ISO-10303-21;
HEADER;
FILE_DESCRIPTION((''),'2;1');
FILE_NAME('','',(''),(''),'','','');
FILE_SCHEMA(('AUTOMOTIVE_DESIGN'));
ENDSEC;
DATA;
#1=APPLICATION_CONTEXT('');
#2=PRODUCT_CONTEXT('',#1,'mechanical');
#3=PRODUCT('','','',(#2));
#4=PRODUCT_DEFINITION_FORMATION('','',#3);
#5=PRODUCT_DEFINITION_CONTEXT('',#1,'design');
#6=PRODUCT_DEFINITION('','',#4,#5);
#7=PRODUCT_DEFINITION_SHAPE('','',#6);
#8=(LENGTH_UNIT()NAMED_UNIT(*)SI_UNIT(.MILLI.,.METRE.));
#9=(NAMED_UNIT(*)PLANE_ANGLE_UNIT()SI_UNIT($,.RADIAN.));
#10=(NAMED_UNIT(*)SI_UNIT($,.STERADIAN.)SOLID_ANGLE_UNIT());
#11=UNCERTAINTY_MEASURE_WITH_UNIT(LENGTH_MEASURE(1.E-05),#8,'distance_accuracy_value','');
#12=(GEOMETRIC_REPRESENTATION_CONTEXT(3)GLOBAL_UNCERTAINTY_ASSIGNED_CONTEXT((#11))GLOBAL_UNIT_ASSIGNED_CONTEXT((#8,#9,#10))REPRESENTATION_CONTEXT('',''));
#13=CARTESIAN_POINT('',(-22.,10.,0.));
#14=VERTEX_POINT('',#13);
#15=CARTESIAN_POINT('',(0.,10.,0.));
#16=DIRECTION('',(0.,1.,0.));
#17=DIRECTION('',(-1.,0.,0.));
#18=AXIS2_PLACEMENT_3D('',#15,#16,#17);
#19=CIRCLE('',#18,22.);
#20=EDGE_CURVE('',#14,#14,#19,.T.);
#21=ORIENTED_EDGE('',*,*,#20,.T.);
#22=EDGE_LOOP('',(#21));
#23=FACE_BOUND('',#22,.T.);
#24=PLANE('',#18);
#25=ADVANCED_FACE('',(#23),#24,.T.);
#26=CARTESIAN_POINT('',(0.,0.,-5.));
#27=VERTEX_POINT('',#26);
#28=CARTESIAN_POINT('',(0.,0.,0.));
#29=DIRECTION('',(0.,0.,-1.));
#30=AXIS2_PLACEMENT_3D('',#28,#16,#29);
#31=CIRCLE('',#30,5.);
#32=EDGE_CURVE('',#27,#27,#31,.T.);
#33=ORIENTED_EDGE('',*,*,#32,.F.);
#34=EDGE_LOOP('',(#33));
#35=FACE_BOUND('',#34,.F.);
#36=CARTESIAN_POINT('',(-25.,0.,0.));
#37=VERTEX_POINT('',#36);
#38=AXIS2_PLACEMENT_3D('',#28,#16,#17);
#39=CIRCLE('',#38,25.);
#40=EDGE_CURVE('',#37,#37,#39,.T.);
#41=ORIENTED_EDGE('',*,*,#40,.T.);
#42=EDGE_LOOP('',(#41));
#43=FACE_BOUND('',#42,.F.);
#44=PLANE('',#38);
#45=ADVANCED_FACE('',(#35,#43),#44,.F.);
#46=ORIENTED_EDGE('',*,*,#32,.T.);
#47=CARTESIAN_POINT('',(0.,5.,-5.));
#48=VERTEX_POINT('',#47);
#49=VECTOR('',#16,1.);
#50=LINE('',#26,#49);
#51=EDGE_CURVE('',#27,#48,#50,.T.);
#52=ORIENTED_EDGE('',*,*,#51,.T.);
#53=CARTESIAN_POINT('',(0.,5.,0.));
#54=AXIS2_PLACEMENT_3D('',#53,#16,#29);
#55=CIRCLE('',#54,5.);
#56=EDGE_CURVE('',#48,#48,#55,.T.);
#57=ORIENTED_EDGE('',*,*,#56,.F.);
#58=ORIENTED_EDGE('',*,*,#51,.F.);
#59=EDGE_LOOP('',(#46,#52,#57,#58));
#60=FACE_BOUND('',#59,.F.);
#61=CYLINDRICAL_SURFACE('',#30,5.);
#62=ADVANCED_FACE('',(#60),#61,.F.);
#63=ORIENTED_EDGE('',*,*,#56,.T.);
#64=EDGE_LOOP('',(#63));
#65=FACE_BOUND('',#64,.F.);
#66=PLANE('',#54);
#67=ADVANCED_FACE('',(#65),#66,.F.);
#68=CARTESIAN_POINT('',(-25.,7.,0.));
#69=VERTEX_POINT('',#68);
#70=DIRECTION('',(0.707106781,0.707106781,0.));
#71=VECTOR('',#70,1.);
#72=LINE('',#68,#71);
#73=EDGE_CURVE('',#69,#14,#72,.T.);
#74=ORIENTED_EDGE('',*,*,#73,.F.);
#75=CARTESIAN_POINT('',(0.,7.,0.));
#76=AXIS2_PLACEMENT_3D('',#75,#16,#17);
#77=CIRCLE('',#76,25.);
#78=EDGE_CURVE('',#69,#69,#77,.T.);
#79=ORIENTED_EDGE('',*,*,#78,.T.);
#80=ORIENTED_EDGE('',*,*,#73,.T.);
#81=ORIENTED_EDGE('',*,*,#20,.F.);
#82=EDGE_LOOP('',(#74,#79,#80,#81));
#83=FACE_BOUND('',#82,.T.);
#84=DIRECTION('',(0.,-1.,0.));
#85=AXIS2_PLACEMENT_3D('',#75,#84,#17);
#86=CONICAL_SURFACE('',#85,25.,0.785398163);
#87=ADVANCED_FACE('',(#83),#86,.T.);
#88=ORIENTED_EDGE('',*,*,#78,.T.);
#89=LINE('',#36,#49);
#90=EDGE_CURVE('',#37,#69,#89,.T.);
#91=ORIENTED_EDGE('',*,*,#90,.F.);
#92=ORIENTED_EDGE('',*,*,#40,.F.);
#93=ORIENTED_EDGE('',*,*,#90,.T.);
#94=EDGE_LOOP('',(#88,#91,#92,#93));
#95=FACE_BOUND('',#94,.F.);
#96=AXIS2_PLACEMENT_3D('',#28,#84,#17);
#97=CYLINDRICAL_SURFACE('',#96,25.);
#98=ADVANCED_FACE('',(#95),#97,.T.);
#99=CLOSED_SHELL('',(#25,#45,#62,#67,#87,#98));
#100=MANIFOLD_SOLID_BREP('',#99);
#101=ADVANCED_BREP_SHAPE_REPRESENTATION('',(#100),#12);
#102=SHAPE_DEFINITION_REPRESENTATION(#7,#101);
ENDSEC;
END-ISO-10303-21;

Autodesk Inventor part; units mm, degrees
ref_plane "YZ Plane" through (0, 0, 0) normal (1, 0, 0) x (0, 1, 0)
ref_plane "XZ Plane" through (0, 0, 0) normal (0, 1, 0) x (-1, 0, 0)
ref_plane "XY Plane" through (0, 0, 0) normal (0, 0, 1) x (1, 0, 0)
sketch "Sketch1" plane through (0, 0, 0) normal (0, 1, 0) x (-1, 0, 0)
  circle A0 centre (0, 0) radius 25
  dimension "d0" = 50
extrude "Extrusion1" add sketch "Sketch1" along normal blind 10
chamfer "Chamfer1" distance 3 angle 45 1 edges at (25, 10, 0)
hole "Hole1" at (0, 0, 0) direction (0, 1, 0) diameter 10 depth 5
properties part number "stackLightTop" material "ABS Plastic"
